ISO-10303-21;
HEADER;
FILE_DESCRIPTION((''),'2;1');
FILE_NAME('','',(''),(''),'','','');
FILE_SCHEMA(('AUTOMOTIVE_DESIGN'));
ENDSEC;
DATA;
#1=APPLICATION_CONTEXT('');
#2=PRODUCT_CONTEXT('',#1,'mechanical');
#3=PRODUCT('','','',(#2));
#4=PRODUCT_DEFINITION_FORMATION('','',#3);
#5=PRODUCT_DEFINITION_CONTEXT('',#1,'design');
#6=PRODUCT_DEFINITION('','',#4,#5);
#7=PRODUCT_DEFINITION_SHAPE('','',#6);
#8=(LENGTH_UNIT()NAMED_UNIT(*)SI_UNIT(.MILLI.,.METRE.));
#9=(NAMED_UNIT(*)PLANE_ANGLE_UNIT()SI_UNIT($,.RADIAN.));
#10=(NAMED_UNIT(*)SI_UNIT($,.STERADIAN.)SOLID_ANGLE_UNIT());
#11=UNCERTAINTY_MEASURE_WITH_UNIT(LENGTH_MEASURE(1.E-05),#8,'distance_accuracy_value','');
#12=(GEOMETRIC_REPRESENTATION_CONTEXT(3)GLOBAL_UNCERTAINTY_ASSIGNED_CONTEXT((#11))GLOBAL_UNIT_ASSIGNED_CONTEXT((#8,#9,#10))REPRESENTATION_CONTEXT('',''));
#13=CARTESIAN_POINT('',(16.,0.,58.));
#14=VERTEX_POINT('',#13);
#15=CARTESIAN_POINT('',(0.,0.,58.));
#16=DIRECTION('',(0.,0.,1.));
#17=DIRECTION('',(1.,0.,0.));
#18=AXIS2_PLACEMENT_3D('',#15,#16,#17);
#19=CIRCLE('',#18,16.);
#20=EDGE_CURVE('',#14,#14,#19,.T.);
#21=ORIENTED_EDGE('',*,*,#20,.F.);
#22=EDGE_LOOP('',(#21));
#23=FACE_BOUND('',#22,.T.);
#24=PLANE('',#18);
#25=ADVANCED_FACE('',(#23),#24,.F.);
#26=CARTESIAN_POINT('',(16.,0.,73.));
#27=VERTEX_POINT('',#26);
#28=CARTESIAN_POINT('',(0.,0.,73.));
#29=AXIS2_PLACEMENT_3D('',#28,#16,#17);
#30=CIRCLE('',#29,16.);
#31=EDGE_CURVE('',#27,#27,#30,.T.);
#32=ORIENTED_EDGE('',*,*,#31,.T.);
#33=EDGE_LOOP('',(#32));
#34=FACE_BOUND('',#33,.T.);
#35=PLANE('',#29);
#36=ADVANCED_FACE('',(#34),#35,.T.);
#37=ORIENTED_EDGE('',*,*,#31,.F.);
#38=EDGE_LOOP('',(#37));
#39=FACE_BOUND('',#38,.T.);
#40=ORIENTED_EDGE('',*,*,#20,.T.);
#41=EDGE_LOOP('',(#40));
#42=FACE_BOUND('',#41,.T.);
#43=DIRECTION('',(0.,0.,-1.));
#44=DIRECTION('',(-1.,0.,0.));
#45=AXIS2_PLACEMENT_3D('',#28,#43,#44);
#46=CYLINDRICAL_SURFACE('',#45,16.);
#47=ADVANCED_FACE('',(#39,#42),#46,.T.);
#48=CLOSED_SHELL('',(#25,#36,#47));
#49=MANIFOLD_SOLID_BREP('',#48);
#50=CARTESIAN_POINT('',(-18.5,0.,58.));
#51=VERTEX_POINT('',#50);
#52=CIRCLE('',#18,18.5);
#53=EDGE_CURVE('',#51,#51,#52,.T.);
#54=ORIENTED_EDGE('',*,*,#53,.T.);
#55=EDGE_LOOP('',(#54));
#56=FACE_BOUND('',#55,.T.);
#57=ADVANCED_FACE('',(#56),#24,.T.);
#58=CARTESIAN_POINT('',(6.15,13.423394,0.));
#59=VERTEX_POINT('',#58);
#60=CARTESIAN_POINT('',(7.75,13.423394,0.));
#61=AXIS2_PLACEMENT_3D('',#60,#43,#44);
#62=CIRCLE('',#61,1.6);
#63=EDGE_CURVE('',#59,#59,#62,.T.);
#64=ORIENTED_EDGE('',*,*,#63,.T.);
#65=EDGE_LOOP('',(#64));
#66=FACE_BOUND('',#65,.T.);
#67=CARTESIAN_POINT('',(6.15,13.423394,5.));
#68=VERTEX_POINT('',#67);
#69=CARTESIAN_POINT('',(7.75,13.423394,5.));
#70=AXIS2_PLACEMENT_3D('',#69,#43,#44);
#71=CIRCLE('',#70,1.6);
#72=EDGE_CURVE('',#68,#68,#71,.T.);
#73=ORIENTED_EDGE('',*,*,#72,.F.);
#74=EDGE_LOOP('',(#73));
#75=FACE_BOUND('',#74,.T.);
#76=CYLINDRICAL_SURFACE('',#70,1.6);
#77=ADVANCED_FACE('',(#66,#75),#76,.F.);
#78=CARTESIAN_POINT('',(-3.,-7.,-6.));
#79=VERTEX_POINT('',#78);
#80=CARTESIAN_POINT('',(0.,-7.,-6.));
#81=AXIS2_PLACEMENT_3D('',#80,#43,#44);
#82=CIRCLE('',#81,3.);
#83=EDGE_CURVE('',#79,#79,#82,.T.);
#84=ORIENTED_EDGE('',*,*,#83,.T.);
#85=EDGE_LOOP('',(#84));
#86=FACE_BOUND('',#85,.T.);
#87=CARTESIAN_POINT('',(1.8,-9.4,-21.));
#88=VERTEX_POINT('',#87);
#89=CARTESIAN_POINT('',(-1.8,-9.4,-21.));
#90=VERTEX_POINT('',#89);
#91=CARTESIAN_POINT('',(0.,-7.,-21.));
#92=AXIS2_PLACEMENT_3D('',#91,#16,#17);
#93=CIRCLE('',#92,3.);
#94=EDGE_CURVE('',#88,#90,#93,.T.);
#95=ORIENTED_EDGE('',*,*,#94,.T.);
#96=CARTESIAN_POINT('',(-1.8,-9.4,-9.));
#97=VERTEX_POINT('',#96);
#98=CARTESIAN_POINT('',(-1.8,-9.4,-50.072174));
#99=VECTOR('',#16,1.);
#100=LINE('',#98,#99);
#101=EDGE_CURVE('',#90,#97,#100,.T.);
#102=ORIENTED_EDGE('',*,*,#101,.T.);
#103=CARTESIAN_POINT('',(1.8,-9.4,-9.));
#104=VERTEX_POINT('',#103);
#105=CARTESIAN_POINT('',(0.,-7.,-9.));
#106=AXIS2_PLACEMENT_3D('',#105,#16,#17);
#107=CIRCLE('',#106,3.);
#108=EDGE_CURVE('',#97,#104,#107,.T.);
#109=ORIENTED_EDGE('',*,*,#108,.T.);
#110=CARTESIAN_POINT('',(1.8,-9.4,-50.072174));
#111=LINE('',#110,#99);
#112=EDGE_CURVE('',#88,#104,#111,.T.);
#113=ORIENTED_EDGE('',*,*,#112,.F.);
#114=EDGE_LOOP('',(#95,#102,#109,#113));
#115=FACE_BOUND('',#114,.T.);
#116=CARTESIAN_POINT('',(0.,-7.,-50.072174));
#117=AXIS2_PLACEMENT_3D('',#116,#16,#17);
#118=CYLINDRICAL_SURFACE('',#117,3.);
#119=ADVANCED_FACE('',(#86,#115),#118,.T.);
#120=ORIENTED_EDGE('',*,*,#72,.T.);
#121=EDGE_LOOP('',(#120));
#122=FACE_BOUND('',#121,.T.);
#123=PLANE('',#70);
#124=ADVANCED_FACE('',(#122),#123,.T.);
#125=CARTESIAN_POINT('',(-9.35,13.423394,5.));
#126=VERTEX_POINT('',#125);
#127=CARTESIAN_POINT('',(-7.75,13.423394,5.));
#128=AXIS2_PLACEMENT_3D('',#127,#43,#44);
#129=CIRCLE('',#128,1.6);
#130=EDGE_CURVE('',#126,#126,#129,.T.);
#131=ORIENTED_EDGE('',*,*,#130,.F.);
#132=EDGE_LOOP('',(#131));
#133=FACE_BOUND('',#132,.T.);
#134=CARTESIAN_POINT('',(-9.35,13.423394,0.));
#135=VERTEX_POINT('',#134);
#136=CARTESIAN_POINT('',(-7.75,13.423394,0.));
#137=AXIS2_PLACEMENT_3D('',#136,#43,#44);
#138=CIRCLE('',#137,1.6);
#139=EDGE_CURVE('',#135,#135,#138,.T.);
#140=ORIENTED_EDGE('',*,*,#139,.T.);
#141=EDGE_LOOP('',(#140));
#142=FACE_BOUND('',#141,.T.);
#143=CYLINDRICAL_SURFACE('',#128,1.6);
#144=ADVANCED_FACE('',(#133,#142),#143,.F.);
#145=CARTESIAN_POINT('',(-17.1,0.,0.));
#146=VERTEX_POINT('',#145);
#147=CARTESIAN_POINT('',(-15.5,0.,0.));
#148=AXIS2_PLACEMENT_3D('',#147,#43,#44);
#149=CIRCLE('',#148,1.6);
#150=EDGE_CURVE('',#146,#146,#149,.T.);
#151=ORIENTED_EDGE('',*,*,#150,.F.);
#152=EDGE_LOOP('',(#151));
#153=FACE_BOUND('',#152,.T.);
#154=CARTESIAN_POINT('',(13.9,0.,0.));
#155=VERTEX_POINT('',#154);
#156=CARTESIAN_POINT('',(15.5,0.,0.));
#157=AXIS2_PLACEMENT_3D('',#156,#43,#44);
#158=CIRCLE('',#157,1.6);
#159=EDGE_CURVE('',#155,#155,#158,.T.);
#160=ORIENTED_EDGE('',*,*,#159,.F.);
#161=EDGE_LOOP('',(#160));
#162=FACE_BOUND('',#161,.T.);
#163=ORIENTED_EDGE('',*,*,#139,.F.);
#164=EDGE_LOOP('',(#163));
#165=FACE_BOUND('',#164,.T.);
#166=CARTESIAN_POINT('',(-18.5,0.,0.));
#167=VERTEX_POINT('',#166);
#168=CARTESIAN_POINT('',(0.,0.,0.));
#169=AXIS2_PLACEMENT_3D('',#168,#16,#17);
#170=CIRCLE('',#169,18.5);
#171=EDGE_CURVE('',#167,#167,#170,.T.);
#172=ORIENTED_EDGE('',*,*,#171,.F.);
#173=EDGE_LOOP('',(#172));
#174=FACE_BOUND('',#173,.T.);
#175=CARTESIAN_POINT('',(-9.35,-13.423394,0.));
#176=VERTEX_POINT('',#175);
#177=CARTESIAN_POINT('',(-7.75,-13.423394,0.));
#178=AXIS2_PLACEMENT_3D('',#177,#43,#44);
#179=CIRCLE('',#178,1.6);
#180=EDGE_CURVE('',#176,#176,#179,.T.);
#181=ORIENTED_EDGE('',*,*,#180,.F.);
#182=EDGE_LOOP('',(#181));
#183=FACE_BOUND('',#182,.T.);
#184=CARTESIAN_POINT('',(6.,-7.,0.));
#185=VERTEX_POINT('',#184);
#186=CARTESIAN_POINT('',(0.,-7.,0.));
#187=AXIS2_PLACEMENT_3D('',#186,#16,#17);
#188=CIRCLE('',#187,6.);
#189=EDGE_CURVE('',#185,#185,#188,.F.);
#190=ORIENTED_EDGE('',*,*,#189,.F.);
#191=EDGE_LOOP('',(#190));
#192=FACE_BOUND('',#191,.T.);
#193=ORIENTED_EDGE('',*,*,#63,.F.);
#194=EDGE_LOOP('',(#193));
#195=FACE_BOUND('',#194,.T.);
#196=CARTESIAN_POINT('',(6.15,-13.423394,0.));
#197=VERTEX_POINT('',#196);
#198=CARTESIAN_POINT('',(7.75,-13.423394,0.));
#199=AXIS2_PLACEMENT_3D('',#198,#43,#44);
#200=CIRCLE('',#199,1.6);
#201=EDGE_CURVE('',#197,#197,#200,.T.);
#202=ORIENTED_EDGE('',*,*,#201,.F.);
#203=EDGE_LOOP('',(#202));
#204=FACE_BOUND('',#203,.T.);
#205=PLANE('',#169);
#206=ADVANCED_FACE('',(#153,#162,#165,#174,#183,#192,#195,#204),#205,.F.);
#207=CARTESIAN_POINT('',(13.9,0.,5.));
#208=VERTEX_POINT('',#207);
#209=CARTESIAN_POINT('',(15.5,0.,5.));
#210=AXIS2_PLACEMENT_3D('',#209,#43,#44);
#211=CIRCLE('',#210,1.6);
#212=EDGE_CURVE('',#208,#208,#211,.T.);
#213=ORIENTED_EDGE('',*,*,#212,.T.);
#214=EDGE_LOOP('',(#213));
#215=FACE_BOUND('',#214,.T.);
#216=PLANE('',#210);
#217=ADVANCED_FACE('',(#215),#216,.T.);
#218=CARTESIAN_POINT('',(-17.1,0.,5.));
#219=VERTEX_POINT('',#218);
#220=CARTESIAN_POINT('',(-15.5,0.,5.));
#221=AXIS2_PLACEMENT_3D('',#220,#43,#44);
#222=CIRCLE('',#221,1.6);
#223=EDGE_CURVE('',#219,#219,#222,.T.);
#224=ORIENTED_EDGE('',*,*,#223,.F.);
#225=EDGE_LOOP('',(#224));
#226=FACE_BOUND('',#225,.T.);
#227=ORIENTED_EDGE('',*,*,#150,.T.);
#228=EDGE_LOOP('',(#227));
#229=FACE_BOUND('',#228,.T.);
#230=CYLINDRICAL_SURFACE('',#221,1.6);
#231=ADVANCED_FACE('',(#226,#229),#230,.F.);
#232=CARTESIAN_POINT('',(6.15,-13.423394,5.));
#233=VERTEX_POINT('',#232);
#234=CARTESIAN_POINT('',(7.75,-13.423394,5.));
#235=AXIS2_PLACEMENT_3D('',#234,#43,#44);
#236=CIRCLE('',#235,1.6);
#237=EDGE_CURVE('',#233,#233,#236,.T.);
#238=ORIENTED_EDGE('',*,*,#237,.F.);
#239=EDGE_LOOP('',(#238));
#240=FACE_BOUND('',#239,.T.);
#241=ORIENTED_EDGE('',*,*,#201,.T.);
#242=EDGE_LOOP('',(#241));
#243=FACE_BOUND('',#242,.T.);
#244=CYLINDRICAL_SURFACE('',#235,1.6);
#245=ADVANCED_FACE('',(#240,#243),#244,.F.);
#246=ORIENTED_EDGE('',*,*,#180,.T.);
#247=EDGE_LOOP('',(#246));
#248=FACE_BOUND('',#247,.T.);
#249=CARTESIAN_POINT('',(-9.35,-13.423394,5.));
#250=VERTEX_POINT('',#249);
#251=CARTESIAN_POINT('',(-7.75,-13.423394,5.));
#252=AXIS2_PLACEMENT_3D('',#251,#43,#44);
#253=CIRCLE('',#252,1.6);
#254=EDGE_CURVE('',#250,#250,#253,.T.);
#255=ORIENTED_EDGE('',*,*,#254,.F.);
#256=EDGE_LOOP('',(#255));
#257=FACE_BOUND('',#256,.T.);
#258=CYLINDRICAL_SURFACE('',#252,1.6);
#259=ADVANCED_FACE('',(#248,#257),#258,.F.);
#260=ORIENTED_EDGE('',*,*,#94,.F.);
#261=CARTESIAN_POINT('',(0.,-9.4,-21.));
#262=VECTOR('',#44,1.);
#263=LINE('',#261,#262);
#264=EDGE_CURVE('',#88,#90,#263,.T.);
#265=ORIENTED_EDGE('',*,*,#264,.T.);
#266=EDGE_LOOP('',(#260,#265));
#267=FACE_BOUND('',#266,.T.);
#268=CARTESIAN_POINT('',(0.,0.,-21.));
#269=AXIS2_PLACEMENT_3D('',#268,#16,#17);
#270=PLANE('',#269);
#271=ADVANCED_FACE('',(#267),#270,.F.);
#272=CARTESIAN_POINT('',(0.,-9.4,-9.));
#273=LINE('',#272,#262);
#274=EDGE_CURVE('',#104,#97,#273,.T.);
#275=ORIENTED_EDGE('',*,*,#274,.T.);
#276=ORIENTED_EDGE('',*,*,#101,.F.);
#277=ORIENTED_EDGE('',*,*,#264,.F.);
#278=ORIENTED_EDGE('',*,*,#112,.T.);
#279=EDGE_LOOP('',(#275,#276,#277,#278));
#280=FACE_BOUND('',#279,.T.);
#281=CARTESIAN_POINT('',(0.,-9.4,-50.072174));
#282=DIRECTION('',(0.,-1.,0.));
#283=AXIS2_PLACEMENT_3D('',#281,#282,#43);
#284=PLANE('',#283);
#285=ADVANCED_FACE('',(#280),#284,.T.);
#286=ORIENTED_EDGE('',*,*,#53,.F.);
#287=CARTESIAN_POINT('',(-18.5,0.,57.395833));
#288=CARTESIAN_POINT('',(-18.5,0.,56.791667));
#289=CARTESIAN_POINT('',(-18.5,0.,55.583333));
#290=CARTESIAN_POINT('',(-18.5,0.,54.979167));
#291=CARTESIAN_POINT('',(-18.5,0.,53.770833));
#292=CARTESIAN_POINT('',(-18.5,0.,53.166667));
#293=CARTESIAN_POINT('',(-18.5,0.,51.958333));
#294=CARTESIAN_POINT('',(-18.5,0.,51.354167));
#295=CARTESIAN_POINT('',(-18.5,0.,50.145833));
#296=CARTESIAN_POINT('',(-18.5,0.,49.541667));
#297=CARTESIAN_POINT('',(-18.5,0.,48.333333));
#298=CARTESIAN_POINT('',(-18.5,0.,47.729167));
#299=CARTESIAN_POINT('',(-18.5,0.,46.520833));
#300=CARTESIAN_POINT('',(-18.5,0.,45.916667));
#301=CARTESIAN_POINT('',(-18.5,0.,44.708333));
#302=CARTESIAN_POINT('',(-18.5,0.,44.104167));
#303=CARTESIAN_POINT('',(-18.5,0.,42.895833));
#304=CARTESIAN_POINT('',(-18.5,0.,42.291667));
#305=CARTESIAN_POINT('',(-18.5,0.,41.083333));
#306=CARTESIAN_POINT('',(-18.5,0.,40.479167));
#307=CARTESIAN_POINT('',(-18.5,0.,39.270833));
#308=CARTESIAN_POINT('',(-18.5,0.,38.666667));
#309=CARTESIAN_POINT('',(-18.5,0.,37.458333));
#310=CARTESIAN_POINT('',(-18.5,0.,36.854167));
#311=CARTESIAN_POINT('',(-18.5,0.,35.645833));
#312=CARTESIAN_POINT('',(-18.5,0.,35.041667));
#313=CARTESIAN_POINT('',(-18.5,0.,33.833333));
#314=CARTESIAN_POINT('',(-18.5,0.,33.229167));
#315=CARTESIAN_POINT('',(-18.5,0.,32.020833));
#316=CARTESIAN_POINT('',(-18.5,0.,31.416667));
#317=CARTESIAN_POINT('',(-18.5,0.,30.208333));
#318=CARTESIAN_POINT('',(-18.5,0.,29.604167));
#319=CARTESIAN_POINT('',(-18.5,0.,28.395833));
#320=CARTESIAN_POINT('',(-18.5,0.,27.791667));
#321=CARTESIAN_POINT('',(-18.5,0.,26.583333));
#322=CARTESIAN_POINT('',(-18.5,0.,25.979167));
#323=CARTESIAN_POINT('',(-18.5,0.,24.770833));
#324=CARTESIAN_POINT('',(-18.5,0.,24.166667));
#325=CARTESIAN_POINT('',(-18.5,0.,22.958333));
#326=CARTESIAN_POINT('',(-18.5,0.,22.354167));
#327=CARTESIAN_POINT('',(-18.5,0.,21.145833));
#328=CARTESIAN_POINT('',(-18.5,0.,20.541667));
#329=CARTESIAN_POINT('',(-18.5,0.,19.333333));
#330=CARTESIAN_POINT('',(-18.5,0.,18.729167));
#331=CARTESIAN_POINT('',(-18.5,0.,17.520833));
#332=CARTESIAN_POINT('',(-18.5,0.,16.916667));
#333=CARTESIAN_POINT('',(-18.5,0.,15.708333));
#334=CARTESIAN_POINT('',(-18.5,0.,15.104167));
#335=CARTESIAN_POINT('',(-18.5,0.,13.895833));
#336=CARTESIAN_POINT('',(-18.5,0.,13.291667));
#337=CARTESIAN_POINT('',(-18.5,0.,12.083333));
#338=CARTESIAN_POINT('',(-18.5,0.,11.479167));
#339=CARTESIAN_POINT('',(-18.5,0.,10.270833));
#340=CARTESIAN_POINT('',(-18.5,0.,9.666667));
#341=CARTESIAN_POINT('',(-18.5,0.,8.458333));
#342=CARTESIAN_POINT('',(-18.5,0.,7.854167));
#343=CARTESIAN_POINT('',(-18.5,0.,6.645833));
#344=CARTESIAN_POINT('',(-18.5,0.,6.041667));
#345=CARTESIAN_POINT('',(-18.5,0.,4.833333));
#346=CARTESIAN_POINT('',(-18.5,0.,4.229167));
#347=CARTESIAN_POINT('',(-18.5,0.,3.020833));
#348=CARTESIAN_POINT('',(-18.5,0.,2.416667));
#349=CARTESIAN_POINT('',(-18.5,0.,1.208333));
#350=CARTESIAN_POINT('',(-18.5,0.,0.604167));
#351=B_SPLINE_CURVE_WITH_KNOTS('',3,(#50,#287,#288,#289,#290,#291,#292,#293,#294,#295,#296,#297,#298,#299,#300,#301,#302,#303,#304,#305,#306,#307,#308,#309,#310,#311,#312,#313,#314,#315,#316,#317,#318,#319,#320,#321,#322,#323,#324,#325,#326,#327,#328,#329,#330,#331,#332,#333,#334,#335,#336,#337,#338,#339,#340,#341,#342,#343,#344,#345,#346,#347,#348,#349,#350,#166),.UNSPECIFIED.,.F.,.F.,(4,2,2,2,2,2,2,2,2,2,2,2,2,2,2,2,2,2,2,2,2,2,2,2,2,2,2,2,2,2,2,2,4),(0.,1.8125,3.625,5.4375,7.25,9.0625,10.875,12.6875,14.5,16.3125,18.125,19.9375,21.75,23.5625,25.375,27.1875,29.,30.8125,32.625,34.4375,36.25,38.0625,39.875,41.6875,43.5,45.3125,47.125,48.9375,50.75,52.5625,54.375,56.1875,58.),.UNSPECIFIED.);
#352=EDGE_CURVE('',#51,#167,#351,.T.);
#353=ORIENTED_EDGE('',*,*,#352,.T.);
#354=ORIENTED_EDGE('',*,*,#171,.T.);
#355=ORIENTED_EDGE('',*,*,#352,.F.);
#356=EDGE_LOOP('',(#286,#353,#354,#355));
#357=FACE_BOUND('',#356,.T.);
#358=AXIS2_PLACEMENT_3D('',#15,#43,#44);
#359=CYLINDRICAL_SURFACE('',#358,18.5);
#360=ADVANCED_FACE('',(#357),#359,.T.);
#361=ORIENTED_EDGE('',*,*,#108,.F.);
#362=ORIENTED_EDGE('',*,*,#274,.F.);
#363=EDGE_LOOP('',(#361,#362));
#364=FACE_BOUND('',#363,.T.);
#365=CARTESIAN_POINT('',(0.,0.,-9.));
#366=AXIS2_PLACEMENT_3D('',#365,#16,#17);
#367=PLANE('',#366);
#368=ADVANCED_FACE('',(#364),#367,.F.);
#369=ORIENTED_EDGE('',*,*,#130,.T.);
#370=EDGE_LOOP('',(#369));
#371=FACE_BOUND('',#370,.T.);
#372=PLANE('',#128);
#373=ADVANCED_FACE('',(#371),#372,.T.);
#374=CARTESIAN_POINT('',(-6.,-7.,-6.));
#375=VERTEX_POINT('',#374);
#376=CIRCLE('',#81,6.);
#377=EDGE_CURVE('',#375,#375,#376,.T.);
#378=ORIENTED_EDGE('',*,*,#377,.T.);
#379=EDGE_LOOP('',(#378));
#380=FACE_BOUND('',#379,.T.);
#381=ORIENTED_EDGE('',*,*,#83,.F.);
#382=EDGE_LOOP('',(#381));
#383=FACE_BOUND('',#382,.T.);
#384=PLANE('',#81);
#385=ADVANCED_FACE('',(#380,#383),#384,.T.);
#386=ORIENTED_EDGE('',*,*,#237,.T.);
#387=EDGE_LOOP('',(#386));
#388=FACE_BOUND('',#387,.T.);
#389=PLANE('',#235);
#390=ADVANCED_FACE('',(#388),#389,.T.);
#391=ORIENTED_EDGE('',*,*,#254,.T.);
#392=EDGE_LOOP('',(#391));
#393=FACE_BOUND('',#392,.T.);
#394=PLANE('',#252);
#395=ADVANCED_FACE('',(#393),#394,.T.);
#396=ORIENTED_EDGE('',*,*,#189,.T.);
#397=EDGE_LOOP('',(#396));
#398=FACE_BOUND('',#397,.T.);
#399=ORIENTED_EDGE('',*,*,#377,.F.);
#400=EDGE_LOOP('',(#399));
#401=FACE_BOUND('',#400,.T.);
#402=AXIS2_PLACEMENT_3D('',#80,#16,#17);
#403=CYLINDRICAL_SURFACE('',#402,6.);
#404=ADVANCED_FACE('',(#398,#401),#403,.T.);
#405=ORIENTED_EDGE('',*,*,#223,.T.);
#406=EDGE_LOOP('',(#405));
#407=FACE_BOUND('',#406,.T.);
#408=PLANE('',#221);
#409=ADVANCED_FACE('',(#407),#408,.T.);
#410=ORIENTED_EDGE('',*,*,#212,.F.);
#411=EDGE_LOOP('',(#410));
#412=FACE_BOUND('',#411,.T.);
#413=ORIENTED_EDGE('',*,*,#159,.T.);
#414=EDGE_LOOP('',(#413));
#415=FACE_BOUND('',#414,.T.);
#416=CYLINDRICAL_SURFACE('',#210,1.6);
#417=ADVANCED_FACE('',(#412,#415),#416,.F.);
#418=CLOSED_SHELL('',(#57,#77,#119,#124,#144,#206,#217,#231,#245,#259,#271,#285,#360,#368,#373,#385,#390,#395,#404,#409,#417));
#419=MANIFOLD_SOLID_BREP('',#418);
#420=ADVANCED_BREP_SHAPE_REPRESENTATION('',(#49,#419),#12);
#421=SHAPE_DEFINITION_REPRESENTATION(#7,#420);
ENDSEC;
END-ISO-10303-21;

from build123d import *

# Parameters (mm, degrees)
SKETCH_1_R          = 18.5
EXTRUDE_1_DEPTH     = 58
SKETCH_2_R          = 6
EXTRUDE_2_DEPTH     = 6
EXTRUDE_3_DEPTH     = 15
SKETCH_4_R          = 16
EXTRUDE_4_DEPTH     = 15
SKETCH_5_R          = 3
EXTRUDE_5_DEPTH     = 3
SKETCH_6_R          = 1.6
CUT_EXTRUDE_1_DEPTH = 5


with BuildPart() as part:
    # 草图1 → 凸台-拉伸1 (new body)
    with BuildSketch(Plane.XY):
        with Locations(Location((0, 0, 0), (0, 0, 180))):
            Circle(SKETCH_1_R)
    extrude(amount=EXTRUDE_1_DEPTH)

    # 草图2 → 凸台-拉伸2 (add)
    with BuildSketch(Plane(origin=(0, 0, 0), x_dir=(-1, 0, 0), z_dir=(0, 0, -1))):
        with Locations(Location((0, -7, 0), (0, 0, 180))):
            Circle(SKETCH_2_R)
    extrude(amount=EXTRUDE_2_DEPTH)

    # 草图3 → 凸台-拉伸3 (add)
    with BuildSketch(Plane(origin=(0, 0, -6), x_dir=(-1, 0, 0), z_dir=(0, 0, -1))):
        with BuildLine():
            Line((-1.8, -9.4), (1.8, -9.4))
            ThreePointArc((1.8, -9.4), (2.683281573, -8.341640786), (3, -7))
            ThreePointArc((3, -7), (-1.341640786, -4.316718427), (-1.8, -9.4))
        make_face()
    extrude(amount=EXTRUDE_3_DEPTH)

    # 草图5 → 凸台-拉伸5 (add)
    with BuildSketch(Plane(origin=(0, 0, -6), x_dir=(-1, 0, 0), z_dir=(0, 0, -1))):
        with Locations(Location((0, -7, 0), (0, 0, 233.130102354))):
            Circle(SKETCH_5_R)
    extrude(amount=EXTRUDE_5_DEPTH)

    # 草图6 → 切除-拉伸1 (cut)
    with BuildSketch(Plane(origin=(0, 0, 0), x_dir=(-1, 0, 0), z_dir=(0, 0, -1))):
        with Locations((-7.75, -13.423393759)):
            Circle(SKETCH_6_R)
        with Locations((-15.5, 0)):
            Circle(SKETCH_6_R)
        with Locations((-7.75, 13.423393759)):
            Circle(SKETCH_6_R)
        with Locations((7.75, 13.423393759)):
            Circle(SKETCH_6_R)
        with Locations((15.5, 0)):
            Circle(SKETCH_6_R)
        with Locations((7.75, -13.423393759)):
            Circle(SKETCH_6_R)
    extrude(amount=-CUT_EXTRUDE_1_DEPTH, mode=Mode.SUBTRACT)


with BuildPart() as body_2:
    # 草图4 → 凸台-拉伸4 (new body)
    with BuildSketch(Plane.XY.offset(58)):
        Circle(SKETCH_4_R)
    extrude(amount=EXTRUDE_4_DEPTH)


solid = Compound([part.part, body_2.part])
